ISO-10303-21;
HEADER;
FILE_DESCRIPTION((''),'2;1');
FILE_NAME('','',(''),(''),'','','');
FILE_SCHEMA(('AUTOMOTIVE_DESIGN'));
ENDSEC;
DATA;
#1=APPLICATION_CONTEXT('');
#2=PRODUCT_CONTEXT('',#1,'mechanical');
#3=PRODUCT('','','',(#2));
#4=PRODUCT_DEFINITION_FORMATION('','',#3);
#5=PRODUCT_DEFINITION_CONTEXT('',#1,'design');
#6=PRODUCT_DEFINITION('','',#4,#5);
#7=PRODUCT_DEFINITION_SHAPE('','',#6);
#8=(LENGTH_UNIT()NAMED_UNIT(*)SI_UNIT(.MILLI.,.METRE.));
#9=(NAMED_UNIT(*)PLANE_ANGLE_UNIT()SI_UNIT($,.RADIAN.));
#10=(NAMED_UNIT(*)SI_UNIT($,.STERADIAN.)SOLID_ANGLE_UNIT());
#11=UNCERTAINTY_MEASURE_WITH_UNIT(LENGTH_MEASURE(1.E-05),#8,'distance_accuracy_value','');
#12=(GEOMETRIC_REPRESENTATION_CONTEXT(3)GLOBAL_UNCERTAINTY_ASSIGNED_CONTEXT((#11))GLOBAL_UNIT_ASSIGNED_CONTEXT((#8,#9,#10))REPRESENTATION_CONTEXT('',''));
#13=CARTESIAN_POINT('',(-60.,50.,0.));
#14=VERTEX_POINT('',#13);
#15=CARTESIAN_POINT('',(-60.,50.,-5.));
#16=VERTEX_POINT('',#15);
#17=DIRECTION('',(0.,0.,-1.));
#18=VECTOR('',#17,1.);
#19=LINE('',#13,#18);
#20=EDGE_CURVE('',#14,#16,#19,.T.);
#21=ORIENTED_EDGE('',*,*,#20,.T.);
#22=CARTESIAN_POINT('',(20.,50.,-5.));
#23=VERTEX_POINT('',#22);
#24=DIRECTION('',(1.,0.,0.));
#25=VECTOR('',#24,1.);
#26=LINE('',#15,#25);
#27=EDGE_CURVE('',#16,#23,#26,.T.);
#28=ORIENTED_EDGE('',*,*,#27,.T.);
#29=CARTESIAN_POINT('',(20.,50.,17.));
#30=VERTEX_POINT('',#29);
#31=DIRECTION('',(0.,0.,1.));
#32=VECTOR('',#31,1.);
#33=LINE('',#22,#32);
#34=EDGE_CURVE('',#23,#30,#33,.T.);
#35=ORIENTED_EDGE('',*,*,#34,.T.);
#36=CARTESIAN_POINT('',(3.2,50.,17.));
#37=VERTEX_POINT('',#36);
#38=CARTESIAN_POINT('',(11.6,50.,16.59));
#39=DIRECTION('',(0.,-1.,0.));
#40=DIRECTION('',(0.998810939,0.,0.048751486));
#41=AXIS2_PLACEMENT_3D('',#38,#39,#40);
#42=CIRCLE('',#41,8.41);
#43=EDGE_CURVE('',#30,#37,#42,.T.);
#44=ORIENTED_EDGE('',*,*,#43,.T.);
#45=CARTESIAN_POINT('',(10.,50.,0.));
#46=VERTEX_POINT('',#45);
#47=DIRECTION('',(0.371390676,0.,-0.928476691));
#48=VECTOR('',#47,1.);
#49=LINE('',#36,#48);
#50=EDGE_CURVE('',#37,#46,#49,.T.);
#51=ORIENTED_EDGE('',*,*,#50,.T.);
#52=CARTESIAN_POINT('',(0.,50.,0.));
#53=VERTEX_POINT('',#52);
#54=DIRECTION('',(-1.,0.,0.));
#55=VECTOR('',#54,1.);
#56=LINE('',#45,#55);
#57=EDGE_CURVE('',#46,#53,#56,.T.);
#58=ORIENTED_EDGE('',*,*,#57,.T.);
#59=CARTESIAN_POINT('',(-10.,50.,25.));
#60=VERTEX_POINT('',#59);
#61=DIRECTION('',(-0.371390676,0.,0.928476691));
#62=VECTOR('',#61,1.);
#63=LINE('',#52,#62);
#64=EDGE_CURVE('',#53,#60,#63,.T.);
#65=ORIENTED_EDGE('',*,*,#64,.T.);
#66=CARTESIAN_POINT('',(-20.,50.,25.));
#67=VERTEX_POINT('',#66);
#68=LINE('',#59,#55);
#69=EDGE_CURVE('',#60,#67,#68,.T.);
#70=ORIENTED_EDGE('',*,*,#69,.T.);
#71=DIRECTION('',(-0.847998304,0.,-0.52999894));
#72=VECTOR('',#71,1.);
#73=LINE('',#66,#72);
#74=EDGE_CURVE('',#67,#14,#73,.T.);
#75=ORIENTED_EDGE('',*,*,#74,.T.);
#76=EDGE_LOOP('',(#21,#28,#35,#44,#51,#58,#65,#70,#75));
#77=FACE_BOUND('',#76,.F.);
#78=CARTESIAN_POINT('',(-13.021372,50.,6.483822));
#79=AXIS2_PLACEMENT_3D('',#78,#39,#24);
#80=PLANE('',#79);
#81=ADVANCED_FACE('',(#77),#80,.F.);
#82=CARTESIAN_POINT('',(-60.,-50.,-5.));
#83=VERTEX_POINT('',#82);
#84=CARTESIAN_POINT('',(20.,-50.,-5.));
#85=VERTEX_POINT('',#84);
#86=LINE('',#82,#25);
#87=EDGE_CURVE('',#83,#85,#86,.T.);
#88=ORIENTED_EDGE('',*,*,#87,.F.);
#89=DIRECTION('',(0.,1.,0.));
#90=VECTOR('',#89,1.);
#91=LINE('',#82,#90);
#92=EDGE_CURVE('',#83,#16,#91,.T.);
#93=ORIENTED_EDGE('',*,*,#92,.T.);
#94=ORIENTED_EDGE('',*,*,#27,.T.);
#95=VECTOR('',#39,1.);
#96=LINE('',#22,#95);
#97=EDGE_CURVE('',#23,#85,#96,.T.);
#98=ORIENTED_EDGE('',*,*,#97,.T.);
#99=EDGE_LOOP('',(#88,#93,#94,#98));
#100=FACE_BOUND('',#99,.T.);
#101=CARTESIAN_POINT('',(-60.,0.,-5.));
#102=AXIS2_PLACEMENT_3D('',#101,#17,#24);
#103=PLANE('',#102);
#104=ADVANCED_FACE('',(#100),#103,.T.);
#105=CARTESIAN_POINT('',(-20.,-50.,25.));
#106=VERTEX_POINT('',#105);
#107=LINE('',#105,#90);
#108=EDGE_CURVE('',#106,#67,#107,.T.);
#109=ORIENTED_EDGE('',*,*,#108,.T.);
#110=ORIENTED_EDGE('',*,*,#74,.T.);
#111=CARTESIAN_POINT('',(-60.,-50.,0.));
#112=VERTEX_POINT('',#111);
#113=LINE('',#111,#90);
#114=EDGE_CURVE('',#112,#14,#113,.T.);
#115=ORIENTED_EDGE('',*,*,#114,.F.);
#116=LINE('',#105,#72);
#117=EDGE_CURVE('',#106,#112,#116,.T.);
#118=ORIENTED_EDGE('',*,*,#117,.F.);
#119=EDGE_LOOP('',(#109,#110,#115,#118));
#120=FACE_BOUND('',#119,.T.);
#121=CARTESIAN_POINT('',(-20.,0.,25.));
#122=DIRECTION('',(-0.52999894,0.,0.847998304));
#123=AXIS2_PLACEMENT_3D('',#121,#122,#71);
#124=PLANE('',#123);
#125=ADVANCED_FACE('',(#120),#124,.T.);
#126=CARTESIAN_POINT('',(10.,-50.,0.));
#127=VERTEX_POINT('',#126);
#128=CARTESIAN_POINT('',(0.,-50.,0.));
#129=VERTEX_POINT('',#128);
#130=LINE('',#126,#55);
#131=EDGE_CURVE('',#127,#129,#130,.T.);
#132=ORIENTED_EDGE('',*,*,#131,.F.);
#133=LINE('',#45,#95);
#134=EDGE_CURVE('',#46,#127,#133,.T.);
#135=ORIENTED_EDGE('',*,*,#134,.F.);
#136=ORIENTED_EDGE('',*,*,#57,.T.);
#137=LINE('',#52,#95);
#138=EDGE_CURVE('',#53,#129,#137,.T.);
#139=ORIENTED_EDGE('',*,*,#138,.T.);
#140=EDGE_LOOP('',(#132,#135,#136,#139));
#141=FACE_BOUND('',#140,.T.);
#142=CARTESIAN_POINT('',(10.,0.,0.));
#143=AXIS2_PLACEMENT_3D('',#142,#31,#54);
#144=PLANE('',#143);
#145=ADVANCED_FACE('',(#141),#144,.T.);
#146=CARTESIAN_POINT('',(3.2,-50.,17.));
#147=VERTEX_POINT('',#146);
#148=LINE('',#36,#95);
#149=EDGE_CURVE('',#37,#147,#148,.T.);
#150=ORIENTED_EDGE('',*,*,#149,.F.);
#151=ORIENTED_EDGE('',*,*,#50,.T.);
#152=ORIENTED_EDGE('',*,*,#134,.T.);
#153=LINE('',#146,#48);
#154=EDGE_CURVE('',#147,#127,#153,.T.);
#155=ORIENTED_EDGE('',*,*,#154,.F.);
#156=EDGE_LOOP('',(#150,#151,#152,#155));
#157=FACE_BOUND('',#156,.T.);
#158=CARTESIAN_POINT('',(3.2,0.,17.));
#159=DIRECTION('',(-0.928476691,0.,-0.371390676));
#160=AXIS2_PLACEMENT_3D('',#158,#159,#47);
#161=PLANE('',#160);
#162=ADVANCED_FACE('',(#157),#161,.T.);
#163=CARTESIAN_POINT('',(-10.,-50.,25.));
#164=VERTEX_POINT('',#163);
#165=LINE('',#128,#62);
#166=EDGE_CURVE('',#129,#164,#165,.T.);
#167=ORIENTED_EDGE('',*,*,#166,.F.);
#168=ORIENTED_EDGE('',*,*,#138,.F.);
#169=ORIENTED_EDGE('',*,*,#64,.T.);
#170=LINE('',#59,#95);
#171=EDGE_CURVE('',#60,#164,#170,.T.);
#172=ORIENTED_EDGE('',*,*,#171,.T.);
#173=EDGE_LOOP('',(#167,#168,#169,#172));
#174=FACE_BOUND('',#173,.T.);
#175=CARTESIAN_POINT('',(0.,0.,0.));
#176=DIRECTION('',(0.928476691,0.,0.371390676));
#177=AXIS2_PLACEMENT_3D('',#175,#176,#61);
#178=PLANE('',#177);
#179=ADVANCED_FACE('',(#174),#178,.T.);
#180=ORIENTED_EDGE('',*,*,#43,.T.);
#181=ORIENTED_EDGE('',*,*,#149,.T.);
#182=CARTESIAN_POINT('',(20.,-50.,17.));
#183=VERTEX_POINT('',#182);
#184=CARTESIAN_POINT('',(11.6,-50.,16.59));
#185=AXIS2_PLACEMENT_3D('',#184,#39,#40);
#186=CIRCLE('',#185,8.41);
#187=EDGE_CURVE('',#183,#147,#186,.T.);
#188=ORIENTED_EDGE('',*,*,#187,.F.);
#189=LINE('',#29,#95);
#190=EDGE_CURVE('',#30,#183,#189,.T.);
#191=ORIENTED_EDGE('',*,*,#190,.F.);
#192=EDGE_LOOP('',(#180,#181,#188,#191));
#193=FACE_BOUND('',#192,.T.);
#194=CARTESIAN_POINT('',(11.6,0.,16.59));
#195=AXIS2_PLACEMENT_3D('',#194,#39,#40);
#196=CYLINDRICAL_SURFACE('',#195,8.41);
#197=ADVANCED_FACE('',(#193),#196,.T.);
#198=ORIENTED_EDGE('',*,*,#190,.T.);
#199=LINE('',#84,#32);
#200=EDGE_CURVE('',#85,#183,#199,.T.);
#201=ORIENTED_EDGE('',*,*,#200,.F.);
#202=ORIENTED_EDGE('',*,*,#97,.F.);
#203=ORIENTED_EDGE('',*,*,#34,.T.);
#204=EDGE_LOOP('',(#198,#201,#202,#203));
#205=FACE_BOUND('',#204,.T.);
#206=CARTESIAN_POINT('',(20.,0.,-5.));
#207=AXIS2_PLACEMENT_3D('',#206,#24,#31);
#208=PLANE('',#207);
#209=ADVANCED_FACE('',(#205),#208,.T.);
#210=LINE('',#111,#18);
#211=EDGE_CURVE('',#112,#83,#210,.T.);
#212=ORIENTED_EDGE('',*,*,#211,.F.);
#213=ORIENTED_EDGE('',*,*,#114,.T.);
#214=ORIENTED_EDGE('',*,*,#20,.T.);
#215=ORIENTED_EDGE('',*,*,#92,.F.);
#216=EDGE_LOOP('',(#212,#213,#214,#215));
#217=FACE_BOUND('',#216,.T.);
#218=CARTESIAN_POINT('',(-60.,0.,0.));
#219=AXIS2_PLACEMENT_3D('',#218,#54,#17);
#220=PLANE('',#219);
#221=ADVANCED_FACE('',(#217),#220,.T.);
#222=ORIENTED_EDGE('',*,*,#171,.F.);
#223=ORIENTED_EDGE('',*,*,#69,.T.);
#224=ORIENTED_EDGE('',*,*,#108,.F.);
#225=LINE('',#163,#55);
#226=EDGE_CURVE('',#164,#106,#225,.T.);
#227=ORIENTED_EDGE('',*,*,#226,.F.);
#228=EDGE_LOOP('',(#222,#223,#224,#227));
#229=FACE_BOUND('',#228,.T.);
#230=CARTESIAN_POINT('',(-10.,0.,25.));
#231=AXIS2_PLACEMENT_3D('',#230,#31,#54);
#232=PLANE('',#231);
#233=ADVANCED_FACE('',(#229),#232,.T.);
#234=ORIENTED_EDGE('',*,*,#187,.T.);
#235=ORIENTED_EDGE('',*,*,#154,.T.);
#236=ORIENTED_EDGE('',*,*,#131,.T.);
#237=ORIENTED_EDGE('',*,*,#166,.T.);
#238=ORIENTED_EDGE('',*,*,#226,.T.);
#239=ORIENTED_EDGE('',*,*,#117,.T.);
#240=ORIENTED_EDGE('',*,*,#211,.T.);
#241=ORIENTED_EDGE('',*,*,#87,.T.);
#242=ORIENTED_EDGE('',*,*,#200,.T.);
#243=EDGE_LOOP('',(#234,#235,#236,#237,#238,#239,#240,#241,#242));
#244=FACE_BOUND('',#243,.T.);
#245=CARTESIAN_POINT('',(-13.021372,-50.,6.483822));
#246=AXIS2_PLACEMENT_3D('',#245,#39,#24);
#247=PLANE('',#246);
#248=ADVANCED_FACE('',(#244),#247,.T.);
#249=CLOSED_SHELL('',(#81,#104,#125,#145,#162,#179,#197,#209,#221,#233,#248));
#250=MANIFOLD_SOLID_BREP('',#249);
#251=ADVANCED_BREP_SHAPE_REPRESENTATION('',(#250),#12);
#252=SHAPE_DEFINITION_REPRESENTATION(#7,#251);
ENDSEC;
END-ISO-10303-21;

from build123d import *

# Parameters (mm, degrees)
F1_DEPTH = 50


with BuildPart() as f1:
    # F0 (on Front) → F1 (new body, symmetric)
    with BuildSketch(Plane.XZ):
        with BuildLine():
            Line((-60, -5), (-20, -5))
            Line((-20, -5), (20, -5))
            Line((20, -5), (20, 17))
            ThreePointArc((20, 17), (11.6, 25), (3.2, 17))
            Line((3.2, 17), (10, 0))
            Line((10, 0), (0, 0))
            Line((0, 0), (-10, 25))
            Line((-10, 25), (-20, 25))
            Line((-20, 25), (-60, 0))
            Line((-60, 0), (-60, -5))
        make_face()
    extrude(amount=F1_DEPTH, both=True)


solid = f1.part
